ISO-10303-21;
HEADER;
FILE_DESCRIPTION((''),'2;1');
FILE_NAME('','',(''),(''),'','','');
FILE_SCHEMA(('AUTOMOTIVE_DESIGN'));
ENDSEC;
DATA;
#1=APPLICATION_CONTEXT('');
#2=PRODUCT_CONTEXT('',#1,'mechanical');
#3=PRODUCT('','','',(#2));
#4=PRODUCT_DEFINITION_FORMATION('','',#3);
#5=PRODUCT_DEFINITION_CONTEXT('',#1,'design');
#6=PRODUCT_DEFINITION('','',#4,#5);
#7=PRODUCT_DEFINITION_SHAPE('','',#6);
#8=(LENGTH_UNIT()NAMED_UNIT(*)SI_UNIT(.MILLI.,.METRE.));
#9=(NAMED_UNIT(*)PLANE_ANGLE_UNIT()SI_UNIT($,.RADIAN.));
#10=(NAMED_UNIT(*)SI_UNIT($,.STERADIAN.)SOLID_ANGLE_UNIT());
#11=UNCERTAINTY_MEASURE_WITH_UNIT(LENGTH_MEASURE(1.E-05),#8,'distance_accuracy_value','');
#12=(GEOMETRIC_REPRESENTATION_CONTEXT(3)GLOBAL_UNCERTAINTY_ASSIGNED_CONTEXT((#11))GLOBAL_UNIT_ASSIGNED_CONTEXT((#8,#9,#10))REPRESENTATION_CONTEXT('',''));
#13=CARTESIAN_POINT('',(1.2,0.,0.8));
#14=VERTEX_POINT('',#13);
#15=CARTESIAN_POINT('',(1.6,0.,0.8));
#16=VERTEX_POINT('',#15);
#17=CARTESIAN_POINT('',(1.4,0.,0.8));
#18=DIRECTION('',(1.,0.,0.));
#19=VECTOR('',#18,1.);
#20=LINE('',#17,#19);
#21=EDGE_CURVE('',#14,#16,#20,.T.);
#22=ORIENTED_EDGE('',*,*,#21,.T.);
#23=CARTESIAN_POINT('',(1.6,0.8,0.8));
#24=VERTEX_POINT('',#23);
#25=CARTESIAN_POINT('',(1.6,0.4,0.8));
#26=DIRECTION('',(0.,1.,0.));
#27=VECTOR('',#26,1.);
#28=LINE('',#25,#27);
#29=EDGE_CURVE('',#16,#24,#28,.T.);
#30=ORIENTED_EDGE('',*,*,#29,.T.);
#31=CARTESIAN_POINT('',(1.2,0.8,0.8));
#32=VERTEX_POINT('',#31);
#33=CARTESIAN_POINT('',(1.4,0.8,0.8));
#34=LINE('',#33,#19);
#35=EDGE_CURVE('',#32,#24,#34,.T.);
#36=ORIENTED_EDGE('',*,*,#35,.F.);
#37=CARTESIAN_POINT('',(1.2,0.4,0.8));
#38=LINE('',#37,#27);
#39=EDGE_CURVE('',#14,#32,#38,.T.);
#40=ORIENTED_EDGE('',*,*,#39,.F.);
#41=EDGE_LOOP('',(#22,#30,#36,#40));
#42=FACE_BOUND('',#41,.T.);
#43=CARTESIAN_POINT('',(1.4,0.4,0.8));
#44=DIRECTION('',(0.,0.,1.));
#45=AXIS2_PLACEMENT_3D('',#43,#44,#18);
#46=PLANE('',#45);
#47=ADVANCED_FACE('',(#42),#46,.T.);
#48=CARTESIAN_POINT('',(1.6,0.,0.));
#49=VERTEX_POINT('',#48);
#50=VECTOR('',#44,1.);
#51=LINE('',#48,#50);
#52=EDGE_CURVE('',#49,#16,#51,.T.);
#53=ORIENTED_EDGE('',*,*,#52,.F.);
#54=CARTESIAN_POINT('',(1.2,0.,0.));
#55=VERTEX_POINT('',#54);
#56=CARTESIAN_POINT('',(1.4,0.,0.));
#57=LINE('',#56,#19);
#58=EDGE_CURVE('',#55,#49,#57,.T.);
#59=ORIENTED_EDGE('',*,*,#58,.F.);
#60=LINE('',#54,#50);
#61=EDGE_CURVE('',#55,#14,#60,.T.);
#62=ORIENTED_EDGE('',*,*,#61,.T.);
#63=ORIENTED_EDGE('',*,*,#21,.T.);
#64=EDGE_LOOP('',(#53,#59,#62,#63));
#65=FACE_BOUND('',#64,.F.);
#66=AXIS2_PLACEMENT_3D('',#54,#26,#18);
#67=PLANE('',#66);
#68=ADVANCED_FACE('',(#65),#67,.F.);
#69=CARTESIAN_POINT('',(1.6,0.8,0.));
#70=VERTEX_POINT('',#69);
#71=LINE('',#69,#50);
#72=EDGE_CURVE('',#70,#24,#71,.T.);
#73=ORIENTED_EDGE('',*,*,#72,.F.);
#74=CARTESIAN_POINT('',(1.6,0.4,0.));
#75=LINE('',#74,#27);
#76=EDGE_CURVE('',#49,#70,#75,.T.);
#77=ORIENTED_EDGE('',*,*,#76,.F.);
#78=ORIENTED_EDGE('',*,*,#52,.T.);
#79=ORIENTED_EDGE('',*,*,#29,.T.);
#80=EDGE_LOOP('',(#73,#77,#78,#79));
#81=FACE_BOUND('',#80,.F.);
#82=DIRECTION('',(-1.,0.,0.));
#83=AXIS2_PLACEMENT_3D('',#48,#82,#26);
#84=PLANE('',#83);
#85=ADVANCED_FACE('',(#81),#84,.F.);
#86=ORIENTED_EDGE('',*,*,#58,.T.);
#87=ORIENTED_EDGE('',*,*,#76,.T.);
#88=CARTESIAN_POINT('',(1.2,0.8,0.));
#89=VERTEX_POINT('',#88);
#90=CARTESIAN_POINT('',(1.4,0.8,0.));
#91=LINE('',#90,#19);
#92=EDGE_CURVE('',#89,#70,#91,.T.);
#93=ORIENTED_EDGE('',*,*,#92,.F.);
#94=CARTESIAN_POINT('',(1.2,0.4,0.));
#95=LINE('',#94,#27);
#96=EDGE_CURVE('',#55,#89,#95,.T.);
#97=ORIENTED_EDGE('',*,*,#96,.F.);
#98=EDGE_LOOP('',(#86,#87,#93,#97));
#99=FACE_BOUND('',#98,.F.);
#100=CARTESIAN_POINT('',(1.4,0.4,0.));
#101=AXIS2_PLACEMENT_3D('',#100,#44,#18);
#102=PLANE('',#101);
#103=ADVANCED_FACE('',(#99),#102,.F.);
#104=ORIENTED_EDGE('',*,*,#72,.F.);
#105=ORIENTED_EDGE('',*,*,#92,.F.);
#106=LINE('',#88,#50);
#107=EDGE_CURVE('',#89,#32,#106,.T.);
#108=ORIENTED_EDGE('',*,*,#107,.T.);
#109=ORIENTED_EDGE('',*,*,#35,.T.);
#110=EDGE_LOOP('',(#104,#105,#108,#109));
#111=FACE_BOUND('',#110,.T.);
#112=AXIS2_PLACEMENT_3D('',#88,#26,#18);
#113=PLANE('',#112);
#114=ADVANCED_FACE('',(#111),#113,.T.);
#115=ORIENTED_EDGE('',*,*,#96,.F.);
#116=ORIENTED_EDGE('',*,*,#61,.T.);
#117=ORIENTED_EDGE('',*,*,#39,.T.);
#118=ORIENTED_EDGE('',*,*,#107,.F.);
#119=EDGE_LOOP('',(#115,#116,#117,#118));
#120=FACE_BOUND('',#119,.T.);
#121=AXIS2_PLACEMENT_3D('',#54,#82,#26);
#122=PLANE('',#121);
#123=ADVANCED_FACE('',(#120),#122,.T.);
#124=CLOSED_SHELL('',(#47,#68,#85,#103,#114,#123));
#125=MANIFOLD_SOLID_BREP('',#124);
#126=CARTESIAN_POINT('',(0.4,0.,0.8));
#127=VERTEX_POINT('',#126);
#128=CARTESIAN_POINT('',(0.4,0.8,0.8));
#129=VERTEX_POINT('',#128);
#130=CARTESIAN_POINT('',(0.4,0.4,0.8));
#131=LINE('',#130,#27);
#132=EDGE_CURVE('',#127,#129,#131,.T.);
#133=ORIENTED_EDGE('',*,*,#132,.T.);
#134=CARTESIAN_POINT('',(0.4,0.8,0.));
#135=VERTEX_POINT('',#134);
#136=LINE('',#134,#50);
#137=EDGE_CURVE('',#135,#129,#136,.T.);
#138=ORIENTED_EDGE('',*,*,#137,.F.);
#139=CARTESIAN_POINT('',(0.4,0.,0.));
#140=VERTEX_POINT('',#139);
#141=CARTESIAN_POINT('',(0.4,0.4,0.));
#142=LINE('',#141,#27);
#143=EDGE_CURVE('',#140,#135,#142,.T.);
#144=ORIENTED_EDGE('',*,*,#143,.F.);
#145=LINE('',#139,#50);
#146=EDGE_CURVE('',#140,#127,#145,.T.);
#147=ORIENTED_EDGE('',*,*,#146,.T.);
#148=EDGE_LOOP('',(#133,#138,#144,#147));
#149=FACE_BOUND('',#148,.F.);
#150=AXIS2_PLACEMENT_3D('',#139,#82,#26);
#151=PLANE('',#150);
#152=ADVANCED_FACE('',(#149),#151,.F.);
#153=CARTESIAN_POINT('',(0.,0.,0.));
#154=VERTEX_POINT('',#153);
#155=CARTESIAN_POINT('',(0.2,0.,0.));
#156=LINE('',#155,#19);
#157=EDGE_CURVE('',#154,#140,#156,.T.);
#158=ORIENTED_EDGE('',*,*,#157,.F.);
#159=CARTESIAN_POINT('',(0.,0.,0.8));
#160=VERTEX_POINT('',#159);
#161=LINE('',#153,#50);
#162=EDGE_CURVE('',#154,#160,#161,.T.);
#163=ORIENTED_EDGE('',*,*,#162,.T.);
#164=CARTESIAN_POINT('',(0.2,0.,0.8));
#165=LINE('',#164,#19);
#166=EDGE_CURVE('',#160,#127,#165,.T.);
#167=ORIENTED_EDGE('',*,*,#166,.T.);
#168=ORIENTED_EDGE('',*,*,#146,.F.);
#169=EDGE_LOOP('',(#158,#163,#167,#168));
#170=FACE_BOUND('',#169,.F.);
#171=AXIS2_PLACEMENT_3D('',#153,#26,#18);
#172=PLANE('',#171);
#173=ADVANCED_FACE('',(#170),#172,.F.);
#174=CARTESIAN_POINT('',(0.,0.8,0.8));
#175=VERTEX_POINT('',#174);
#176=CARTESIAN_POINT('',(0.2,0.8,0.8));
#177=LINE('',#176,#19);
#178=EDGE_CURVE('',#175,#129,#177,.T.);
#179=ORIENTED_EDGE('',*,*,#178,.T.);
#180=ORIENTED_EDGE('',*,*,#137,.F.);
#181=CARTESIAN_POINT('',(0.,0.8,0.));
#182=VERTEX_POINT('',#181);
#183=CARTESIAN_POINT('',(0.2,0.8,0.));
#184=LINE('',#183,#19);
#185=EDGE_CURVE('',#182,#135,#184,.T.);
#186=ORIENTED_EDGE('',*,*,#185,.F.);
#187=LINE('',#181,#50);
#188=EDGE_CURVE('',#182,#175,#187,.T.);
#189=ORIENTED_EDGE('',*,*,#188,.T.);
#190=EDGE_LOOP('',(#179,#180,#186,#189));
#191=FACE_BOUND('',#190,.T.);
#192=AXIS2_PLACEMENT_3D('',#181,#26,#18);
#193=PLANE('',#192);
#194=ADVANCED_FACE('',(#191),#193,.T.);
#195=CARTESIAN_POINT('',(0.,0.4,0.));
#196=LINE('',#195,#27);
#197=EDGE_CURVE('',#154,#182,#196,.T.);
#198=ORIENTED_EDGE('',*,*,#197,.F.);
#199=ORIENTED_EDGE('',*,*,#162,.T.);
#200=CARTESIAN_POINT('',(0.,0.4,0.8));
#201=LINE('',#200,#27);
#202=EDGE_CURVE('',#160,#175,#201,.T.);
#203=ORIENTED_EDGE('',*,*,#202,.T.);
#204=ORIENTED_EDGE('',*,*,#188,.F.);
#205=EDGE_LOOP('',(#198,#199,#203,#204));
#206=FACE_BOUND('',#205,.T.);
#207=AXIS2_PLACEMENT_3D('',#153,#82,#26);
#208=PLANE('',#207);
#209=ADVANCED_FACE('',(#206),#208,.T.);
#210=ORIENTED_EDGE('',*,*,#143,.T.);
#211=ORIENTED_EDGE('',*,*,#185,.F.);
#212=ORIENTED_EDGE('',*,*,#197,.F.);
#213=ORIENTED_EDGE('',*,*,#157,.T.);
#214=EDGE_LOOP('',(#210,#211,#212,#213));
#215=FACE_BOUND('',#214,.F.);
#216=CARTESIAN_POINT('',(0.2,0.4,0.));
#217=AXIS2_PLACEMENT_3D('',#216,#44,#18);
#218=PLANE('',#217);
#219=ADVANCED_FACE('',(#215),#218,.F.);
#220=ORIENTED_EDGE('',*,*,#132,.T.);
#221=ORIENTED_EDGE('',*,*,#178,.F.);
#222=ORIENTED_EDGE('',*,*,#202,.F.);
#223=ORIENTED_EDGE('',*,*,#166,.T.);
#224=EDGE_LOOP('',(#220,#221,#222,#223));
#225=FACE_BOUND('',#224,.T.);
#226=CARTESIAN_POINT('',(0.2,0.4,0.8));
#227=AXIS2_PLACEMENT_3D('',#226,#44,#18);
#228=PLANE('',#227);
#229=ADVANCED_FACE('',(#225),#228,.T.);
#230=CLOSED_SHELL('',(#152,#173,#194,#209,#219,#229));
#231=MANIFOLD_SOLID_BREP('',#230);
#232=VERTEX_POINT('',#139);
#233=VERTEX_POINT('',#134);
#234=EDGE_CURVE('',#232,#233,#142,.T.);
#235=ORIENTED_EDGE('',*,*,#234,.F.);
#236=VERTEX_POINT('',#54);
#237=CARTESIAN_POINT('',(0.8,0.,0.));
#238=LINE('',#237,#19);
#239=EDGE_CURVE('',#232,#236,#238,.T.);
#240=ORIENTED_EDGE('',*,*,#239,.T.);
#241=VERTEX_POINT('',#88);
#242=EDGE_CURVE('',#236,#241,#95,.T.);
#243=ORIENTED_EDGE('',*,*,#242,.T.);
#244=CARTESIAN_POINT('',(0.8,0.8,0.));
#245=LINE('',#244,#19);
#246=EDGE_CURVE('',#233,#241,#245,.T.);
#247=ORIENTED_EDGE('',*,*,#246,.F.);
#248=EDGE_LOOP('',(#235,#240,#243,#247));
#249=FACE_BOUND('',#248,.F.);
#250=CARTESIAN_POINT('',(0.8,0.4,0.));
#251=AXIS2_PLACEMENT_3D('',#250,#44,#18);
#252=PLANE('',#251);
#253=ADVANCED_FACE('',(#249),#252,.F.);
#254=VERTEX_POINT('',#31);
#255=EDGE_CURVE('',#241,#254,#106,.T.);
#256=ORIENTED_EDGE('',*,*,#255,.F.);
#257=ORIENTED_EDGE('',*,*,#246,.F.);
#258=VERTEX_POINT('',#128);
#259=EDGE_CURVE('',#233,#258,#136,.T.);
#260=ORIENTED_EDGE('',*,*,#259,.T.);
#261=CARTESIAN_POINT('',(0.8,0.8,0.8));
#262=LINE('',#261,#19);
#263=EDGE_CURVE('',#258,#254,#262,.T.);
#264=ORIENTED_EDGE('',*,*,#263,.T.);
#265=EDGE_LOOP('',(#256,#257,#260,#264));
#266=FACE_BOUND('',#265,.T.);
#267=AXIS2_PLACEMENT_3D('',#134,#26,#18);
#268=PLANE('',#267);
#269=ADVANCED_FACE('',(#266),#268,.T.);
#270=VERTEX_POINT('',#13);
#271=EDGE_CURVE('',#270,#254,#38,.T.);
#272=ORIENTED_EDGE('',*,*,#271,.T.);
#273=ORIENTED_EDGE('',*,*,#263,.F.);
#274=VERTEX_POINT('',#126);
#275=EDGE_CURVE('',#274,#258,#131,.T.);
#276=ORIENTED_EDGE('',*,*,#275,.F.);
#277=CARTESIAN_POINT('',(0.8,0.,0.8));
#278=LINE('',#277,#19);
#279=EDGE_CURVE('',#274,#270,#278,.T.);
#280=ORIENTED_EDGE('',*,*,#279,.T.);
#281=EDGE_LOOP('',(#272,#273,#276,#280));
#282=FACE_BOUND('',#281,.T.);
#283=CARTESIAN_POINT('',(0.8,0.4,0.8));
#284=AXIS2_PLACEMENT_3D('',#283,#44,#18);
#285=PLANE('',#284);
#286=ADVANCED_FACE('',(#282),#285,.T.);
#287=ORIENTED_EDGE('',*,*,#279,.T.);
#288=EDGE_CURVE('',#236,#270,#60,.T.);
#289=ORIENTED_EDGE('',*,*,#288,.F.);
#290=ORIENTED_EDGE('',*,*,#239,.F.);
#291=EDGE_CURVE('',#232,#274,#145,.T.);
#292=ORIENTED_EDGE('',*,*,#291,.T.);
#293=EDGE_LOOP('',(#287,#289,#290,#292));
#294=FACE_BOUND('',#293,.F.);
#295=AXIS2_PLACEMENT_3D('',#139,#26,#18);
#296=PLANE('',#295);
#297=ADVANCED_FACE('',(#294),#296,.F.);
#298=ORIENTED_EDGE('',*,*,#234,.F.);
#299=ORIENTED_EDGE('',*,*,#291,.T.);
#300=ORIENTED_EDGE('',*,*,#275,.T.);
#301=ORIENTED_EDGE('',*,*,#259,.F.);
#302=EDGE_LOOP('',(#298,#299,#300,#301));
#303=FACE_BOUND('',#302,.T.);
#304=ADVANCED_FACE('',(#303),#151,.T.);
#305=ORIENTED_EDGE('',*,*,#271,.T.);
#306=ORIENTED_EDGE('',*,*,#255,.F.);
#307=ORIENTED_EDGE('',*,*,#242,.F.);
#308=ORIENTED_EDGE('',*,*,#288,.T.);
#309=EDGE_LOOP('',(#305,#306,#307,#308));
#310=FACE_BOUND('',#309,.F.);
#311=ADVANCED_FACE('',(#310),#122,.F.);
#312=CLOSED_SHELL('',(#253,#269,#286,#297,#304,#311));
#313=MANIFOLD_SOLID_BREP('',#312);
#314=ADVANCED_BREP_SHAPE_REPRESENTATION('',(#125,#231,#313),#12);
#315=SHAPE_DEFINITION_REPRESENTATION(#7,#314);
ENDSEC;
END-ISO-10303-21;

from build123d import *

# Parameters (mm, degrees)
BOX_W        = 0.4
BOX_H        = 0.8
BOX_DEPTH    = 0.8
BOX001_W     = 0.8
BOX001_H     = 0.8
BOX001_DEPTH = 0.8
BOX002_W     = 0.4
BOX002_H     = 0.8
BOX002_DEPTH = 0.8


with BuildPart() as pad001:
    # Box → Box (new body)
    with BuildSketch(Plane.XY):
        with Locations((0.2, 0.4)):
            Rectangle(BOX_W, BOX_H)
    extrude(amount=BOX_DEPTH)


with BuildPart() as corpo:
    # Box001 → Box001 (new body)
    with BuildSketch(Plane(origin=(0.4, 0, 0), x_dir=(1, 0, 0), z_dir=(0, 0, 1))):
        with Locations((0.4, 0.4)):
            Rectangle(BOX001_W, BOX001_H)
    extrude(amount=BOX001_DEPTH)


with BuildPart() as pad002:
    # Box002 → Box002 (new body)
    with BuildSketch(Plane(origin=(1.2, 0, 0), x_dir=(1, 0, 0), z_dir=(0, 0, 1))):
        with Locations((0.2, 0.4)):
            Rectangle(BOX002_W, BOX002_H)
    extrude(amount=BOX002_DEPTH)


solid = Compound([pad001.part, corpo.part, pad002.part])
